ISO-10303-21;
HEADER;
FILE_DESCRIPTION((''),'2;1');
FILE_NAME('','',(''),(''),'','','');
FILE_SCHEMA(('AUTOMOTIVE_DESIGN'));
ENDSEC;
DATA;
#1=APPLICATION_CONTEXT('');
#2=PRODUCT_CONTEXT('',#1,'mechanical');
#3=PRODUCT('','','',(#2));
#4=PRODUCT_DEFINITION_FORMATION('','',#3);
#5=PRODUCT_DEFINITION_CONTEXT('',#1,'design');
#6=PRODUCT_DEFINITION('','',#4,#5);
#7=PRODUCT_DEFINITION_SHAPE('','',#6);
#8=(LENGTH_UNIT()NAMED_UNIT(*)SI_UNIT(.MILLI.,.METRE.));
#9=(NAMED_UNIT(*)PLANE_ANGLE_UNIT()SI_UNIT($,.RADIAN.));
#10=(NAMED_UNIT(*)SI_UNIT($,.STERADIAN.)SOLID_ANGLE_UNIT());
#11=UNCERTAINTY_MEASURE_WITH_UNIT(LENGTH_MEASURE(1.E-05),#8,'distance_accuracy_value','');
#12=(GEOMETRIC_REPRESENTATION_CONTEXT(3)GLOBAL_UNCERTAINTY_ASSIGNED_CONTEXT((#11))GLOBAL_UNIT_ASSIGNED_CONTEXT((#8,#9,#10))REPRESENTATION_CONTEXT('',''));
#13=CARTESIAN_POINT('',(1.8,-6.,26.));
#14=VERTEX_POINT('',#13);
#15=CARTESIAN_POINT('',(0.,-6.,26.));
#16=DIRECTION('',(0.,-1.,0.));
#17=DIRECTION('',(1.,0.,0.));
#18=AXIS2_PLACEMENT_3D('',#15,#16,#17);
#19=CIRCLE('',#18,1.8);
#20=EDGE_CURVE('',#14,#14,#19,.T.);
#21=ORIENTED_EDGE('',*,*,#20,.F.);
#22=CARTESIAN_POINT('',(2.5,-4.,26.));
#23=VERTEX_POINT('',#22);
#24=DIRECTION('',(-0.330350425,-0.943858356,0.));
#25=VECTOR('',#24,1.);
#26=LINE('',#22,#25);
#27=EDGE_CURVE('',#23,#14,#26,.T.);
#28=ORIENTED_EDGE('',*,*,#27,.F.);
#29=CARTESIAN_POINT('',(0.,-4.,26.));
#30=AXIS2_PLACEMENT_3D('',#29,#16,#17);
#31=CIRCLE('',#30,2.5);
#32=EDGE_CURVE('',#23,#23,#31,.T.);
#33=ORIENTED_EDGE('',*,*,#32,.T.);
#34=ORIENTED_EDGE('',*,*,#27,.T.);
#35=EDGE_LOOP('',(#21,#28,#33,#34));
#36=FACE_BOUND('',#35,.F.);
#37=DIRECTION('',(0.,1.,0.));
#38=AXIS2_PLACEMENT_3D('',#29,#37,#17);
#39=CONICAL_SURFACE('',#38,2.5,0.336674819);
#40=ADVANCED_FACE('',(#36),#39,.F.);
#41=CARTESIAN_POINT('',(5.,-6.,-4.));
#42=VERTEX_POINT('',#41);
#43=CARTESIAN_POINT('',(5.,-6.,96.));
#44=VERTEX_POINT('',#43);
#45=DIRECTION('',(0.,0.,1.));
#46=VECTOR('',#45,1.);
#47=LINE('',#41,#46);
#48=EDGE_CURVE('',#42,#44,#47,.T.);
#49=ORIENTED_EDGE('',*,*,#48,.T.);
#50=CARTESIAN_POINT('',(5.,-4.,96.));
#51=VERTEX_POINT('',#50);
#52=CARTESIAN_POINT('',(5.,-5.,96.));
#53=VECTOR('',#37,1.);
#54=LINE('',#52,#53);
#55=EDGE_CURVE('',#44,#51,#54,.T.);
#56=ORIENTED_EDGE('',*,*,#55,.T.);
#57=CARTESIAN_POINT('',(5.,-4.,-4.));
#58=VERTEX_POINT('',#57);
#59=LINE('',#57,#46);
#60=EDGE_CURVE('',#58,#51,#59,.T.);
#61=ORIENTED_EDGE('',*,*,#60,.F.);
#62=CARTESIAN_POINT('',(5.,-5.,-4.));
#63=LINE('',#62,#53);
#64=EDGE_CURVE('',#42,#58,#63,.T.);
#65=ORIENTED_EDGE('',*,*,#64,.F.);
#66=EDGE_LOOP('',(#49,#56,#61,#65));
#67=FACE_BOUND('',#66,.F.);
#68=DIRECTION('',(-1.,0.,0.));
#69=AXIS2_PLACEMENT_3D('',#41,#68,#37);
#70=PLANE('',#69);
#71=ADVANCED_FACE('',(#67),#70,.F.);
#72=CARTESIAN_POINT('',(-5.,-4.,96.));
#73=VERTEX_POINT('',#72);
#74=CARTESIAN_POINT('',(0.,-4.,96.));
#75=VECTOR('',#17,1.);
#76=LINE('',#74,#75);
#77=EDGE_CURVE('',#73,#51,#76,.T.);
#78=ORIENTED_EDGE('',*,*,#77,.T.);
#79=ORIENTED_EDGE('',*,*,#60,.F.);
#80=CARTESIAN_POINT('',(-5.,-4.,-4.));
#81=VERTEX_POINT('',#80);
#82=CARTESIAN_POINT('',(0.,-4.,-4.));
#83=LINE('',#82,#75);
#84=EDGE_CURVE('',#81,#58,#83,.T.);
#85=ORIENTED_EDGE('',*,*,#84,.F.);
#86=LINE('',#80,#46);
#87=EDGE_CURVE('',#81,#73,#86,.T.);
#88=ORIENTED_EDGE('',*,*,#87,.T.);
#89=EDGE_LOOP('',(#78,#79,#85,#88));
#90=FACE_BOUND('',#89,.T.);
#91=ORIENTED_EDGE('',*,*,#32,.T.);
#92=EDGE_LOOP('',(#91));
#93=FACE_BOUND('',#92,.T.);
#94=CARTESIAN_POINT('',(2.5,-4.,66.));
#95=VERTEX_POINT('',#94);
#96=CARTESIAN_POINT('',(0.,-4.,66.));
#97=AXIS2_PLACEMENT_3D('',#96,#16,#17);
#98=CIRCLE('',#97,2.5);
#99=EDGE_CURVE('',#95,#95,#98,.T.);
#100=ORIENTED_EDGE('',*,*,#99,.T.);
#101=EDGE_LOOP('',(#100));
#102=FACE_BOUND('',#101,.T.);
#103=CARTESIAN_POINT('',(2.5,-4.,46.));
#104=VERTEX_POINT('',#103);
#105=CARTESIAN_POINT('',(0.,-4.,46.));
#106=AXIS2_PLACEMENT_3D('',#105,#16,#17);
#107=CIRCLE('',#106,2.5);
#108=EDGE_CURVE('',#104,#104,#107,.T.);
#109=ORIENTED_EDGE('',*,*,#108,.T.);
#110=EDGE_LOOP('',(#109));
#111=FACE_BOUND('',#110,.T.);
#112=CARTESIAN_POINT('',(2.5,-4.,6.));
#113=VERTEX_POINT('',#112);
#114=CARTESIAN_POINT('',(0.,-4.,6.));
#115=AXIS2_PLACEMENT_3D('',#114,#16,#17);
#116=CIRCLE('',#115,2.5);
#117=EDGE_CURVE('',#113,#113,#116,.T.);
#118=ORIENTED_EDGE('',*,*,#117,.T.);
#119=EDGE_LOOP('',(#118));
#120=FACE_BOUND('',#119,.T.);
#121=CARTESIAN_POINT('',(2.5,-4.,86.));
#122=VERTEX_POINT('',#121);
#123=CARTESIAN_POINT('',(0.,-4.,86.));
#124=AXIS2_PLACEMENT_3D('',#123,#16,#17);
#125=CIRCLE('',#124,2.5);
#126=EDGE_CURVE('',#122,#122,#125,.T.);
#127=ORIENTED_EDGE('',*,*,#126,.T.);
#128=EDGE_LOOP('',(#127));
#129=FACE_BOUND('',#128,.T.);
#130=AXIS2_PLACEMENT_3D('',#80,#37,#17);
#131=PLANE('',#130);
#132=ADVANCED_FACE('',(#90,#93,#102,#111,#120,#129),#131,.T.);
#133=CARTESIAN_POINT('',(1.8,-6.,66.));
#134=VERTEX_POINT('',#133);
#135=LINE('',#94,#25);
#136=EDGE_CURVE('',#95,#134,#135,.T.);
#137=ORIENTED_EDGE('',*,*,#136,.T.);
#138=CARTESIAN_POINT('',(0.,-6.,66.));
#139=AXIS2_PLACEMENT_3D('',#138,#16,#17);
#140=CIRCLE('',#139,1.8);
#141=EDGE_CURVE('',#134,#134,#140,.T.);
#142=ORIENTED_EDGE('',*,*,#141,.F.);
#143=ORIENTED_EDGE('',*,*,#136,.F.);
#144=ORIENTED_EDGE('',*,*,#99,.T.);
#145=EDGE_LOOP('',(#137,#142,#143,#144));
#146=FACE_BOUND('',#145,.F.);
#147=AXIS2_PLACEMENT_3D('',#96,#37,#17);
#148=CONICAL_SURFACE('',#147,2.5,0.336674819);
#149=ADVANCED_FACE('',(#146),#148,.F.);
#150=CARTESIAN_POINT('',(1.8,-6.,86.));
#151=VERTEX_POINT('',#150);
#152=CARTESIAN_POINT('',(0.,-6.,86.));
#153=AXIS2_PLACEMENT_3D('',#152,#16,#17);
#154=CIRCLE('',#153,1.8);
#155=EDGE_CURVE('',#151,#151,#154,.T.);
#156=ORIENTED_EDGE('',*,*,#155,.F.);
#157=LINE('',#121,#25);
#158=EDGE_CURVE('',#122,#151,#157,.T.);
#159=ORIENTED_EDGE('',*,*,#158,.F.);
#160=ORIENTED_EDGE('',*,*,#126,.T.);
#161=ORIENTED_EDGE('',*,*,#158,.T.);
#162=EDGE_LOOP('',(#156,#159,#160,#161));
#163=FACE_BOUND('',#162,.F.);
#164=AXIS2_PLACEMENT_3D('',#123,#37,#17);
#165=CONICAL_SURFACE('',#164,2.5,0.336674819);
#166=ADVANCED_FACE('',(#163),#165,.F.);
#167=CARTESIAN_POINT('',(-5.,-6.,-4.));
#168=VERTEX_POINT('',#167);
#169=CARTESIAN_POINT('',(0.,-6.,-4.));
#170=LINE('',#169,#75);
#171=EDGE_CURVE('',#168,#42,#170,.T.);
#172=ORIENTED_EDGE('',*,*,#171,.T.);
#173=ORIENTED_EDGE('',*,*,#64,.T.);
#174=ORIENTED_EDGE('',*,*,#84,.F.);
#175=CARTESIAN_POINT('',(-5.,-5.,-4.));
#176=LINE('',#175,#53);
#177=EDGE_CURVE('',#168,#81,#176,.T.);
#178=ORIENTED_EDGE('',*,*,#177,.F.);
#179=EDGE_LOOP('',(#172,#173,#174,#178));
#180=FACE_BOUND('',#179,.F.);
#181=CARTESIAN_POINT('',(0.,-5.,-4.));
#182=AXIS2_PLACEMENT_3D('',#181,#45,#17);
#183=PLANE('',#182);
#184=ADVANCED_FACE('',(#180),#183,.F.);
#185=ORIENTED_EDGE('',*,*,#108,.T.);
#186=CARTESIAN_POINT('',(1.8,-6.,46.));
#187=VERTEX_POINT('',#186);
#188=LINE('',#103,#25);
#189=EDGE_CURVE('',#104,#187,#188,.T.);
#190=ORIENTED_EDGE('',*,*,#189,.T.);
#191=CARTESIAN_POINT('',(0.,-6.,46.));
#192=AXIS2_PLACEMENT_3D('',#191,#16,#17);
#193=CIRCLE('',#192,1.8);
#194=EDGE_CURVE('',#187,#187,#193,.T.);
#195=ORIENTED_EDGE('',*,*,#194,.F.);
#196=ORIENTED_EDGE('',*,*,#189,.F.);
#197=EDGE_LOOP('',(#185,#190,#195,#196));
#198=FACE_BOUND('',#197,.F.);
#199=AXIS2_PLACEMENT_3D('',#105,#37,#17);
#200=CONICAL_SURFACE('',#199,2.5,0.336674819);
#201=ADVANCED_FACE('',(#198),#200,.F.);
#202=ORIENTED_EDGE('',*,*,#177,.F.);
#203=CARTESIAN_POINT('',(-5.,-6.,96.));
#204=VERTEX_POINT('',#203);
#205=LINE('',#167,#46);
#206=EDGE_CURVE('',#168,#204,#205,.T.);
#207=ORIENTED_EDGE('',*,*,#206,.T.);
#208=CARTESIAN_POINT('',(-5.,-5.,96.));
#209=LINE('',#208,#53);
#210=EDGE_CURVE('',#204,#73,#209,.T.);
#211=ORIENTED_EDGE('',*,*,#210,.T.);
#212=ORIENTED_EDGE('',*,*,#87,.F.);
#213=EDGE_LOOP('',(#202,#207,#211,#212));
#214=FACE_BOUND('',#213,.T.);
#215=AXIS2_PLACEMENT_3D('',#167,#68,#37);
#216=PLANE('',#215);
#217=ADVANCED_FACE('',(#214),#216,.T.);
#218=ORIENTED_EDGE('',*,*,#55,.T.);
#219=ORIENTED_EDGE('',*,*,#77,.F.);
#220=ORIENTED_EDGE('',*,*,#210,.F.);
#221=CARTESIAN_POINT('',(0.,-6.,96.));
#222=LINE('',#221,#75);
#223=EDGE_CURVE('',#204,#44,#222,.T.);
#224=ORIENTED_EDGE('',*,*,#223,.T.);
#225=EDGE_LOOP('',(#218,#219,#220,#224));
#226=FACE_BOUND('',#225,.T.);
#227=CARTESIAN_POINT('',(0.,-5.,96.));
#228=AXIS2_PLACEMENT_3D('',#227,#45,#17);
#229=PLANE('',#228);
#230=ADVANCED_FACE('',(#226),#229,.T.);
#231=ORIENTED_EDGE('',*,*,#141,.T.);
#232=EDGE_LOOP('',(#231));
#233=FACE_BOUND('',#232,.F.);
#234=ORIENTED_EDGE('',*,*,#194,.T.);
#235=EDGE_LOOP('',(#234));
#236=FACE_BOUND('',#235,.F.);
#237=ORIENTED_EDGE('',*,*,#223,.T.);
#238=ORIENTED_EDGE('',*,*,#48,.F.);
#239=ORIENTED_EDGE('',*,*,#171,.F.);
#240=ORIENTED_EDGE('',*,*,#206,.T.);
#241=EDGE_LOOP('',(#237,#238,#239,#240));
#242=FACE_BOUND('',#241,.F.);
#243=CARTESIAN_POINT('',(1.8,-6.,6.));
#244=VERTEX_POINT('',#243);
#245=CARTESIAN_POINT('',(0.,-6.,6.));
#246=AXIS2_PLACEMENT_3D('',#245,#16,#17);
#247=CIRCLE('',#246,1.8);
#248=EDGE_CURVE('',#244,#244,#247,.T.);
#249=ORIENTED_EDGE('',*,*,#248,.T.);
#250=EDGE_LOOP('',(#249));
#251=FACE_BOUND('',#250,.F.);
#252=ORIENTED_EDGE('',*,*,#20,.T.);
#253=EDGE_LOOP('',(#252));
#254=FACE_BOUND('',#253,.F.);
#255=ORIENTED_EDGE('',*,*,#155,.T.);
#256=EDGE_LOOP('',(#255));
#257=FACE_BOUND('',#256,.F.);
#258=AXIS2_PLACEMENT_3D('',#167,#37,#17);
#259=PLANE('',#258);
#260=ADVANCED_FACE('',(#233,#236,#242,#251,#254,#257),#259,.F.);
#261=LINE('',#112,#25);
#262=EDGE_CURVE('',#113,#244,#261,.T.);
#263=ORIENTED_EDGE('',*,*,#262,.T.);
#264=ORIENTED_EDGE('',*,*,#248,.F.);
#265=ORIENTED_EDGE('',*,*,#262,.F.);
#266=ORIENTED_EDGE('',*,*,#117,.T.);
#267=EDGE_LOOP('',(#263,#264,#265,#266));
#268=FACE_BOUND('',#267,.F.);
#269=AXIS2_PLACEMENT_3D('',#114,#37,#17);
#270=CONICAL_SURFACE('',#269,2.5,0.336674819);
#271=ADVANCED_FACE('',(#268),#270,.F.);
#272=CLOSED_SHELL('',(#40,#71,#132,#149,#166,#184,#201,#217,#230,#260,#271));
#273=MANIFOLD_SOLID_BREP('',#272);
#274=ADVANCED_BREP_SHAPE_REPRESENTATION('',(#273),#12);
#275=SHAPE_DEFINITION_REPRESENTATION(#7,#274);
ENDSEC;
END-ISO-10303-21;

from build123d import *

# Parameters (mm, degrees)
CYLINDER070_R           = 2.5
CYLINDER070_DEPTH       = 2
CYLINDER069_R           = 1.5
CYLINDER069_DEPTH       = 10
BODY007_PLACEMENT_ANGLE = 90
ARRAY001039_Z_COUNT     = 5
ARRAY001039_Z_PITCH     = 20
BOX037_W                = 10
BOX037_H                = 2
BOX037_DEPTH            = 100


with BuildPart() as screw_cone_hole:
    # Cone005 → Cone005 (revolve)
    with BuildSketch(Plane.XZ):
        Polygon((0, 0), (2.5, 0), (1.8, 2), (0, 2), align=None)
    revolve(axis=Axis((0, 0, 0), (0, 0, 1)))


with BuildPart() as screw_head_hole:
    # Cylinder070 → Cylinder070 (new body)
    with BuildSketch(Plane.XY.offset(-2)):
        Circle(CYLINDER070_R)
    extrude(amount=CYLINDER070_DEPTH)


with BuildPart() as screw_hole_array:
    # Cylinder069 → Cylinder069 (new body)
    with BuildSketch(Plane.XY):
        Circle(CYLINDER069_R)
    extrude(amount=CYLINDER069_DEPTH)

    # Fusion047: union screw cone hole, screw head hole
    add(screw_cone_hole.part)
    add(screw_head_hole.part)


with BuildPart() as screw_hole_array_1:
    # Body007 placement: moved
    add(screw_hole_array.part.moved(Location((0, -4, 6))).rotate(Axis((0, -4, 6), (1, 0, 0)), BODY007_PLACEMENT_ANGLE))

    # Array001039 Z: screw hole array ×5


with BuildPart() as screw_hole_array_2:
    add(screw_hole_array_1.part)
    with Locations(*[(0, 0, i * ARRAY001039_Z_PITCH) for i in range(1, ARRAY001039_Z_COUNT)]):
        add(screw_hole_array_1.part)


with BuildPart() as wire_holder_cube_cut:
    # Box037 → Box037 (new body)
    with BuildSketch(Plane(origin=(-5, -6, -4), x_dir=(1, 0, 0), z_dir=(0, 0, 1))):
        with Locations((5, 1)):
            Rectangle(BOX037_W, BOX037_H)
    extrude(amount=BOX037_DEPTH)

    # Cut023010: cut screw hole array
    add(screw_hole_array_2.part, mode=Mode.SUBTRACT)


solid = wire_holder_cube_cut.part
